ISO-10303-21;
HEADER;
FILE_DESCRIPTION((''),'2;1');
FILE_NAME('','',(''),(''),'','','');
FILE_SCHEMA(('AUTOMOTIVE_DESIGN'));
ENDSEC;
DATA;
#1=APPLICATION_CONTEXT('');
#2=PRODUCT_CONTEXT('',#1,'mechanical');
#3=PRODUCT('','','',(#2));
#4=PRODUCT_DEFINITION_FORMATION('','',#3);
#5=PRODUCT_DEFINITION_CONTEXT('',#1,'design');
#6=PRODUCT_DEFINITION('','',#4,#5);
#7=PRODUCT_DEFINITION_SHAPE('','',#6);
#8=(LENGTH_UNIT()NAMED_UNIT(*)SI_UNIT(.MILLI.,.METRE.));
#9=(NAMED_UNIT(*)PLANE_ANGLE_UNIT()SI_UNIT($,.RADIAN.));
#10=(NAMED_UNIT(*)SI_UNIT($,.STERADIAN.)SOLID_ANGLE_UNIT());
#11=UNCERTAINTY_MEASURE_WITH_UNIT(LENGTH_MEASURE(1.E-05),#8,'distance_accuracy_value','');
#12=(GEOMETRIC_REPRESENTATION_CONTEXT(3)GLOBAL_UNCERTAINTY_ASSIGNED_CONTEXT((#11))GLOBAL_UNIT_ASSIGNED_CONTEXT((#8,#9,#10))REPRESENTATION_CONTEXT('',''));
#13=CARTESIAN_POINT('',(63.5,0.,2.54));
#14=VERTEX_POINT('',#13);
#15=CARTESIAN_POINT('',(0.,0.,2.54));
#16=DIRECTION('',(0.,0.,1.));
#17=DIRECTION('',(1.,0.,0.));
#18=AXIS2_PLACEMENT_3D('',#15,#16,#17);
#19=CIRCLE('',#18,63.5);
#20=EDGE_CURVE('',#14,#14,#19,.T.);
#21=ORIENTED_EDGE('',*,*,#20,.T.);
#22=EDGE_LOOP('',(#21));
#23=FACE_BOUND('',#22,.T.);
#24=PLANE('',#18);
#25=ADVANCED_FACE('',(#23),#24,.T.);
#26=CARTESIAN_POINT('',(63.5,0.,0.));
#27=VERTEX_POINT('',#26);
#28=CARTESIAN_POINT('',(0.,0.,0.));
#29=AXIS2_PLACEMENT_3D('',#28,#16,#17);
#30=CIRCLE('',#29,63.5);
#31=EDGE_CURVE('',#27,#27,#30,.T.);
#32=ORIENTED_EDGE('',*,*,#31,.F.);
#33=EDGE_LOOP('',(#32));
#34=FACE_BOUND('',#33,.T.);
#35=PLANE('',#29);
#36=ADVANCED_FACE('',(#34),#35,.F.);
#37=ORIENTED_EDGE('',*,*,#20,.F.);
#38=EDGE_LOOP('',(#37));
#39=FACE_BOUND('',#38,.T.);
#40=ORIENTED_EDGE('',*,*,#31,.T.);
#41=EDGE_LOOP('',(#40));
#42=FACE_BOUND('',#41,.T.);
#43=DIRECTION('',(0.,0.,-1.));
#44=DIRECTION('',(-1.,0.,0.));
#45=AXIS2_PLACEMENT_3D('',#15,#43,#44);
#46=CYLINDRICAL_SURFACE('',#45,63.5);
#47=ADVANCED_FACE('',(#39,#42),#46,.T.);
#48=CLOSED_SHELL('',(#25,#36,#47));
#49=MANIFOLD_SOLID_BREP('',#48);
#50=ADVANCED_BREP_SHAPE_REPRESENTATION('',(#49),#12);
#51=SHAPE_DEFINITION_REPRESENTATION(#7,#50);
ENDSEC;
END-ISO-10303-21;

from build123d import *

# Parameters (mm, degrees)
SKETCH1_R           = 63.5
BOSS_EXTRUDE1_DEPTH = 2.54


with BuildPart() as part:
    # Sketch1 → Boss-Extrude1 (new body)
    with BuildSketch(Plane.XY):
        Circle(SKETCH1_R)
    extrude(amount=BOSS_EXTRUDE1_DEPTH)


solid = part.part
